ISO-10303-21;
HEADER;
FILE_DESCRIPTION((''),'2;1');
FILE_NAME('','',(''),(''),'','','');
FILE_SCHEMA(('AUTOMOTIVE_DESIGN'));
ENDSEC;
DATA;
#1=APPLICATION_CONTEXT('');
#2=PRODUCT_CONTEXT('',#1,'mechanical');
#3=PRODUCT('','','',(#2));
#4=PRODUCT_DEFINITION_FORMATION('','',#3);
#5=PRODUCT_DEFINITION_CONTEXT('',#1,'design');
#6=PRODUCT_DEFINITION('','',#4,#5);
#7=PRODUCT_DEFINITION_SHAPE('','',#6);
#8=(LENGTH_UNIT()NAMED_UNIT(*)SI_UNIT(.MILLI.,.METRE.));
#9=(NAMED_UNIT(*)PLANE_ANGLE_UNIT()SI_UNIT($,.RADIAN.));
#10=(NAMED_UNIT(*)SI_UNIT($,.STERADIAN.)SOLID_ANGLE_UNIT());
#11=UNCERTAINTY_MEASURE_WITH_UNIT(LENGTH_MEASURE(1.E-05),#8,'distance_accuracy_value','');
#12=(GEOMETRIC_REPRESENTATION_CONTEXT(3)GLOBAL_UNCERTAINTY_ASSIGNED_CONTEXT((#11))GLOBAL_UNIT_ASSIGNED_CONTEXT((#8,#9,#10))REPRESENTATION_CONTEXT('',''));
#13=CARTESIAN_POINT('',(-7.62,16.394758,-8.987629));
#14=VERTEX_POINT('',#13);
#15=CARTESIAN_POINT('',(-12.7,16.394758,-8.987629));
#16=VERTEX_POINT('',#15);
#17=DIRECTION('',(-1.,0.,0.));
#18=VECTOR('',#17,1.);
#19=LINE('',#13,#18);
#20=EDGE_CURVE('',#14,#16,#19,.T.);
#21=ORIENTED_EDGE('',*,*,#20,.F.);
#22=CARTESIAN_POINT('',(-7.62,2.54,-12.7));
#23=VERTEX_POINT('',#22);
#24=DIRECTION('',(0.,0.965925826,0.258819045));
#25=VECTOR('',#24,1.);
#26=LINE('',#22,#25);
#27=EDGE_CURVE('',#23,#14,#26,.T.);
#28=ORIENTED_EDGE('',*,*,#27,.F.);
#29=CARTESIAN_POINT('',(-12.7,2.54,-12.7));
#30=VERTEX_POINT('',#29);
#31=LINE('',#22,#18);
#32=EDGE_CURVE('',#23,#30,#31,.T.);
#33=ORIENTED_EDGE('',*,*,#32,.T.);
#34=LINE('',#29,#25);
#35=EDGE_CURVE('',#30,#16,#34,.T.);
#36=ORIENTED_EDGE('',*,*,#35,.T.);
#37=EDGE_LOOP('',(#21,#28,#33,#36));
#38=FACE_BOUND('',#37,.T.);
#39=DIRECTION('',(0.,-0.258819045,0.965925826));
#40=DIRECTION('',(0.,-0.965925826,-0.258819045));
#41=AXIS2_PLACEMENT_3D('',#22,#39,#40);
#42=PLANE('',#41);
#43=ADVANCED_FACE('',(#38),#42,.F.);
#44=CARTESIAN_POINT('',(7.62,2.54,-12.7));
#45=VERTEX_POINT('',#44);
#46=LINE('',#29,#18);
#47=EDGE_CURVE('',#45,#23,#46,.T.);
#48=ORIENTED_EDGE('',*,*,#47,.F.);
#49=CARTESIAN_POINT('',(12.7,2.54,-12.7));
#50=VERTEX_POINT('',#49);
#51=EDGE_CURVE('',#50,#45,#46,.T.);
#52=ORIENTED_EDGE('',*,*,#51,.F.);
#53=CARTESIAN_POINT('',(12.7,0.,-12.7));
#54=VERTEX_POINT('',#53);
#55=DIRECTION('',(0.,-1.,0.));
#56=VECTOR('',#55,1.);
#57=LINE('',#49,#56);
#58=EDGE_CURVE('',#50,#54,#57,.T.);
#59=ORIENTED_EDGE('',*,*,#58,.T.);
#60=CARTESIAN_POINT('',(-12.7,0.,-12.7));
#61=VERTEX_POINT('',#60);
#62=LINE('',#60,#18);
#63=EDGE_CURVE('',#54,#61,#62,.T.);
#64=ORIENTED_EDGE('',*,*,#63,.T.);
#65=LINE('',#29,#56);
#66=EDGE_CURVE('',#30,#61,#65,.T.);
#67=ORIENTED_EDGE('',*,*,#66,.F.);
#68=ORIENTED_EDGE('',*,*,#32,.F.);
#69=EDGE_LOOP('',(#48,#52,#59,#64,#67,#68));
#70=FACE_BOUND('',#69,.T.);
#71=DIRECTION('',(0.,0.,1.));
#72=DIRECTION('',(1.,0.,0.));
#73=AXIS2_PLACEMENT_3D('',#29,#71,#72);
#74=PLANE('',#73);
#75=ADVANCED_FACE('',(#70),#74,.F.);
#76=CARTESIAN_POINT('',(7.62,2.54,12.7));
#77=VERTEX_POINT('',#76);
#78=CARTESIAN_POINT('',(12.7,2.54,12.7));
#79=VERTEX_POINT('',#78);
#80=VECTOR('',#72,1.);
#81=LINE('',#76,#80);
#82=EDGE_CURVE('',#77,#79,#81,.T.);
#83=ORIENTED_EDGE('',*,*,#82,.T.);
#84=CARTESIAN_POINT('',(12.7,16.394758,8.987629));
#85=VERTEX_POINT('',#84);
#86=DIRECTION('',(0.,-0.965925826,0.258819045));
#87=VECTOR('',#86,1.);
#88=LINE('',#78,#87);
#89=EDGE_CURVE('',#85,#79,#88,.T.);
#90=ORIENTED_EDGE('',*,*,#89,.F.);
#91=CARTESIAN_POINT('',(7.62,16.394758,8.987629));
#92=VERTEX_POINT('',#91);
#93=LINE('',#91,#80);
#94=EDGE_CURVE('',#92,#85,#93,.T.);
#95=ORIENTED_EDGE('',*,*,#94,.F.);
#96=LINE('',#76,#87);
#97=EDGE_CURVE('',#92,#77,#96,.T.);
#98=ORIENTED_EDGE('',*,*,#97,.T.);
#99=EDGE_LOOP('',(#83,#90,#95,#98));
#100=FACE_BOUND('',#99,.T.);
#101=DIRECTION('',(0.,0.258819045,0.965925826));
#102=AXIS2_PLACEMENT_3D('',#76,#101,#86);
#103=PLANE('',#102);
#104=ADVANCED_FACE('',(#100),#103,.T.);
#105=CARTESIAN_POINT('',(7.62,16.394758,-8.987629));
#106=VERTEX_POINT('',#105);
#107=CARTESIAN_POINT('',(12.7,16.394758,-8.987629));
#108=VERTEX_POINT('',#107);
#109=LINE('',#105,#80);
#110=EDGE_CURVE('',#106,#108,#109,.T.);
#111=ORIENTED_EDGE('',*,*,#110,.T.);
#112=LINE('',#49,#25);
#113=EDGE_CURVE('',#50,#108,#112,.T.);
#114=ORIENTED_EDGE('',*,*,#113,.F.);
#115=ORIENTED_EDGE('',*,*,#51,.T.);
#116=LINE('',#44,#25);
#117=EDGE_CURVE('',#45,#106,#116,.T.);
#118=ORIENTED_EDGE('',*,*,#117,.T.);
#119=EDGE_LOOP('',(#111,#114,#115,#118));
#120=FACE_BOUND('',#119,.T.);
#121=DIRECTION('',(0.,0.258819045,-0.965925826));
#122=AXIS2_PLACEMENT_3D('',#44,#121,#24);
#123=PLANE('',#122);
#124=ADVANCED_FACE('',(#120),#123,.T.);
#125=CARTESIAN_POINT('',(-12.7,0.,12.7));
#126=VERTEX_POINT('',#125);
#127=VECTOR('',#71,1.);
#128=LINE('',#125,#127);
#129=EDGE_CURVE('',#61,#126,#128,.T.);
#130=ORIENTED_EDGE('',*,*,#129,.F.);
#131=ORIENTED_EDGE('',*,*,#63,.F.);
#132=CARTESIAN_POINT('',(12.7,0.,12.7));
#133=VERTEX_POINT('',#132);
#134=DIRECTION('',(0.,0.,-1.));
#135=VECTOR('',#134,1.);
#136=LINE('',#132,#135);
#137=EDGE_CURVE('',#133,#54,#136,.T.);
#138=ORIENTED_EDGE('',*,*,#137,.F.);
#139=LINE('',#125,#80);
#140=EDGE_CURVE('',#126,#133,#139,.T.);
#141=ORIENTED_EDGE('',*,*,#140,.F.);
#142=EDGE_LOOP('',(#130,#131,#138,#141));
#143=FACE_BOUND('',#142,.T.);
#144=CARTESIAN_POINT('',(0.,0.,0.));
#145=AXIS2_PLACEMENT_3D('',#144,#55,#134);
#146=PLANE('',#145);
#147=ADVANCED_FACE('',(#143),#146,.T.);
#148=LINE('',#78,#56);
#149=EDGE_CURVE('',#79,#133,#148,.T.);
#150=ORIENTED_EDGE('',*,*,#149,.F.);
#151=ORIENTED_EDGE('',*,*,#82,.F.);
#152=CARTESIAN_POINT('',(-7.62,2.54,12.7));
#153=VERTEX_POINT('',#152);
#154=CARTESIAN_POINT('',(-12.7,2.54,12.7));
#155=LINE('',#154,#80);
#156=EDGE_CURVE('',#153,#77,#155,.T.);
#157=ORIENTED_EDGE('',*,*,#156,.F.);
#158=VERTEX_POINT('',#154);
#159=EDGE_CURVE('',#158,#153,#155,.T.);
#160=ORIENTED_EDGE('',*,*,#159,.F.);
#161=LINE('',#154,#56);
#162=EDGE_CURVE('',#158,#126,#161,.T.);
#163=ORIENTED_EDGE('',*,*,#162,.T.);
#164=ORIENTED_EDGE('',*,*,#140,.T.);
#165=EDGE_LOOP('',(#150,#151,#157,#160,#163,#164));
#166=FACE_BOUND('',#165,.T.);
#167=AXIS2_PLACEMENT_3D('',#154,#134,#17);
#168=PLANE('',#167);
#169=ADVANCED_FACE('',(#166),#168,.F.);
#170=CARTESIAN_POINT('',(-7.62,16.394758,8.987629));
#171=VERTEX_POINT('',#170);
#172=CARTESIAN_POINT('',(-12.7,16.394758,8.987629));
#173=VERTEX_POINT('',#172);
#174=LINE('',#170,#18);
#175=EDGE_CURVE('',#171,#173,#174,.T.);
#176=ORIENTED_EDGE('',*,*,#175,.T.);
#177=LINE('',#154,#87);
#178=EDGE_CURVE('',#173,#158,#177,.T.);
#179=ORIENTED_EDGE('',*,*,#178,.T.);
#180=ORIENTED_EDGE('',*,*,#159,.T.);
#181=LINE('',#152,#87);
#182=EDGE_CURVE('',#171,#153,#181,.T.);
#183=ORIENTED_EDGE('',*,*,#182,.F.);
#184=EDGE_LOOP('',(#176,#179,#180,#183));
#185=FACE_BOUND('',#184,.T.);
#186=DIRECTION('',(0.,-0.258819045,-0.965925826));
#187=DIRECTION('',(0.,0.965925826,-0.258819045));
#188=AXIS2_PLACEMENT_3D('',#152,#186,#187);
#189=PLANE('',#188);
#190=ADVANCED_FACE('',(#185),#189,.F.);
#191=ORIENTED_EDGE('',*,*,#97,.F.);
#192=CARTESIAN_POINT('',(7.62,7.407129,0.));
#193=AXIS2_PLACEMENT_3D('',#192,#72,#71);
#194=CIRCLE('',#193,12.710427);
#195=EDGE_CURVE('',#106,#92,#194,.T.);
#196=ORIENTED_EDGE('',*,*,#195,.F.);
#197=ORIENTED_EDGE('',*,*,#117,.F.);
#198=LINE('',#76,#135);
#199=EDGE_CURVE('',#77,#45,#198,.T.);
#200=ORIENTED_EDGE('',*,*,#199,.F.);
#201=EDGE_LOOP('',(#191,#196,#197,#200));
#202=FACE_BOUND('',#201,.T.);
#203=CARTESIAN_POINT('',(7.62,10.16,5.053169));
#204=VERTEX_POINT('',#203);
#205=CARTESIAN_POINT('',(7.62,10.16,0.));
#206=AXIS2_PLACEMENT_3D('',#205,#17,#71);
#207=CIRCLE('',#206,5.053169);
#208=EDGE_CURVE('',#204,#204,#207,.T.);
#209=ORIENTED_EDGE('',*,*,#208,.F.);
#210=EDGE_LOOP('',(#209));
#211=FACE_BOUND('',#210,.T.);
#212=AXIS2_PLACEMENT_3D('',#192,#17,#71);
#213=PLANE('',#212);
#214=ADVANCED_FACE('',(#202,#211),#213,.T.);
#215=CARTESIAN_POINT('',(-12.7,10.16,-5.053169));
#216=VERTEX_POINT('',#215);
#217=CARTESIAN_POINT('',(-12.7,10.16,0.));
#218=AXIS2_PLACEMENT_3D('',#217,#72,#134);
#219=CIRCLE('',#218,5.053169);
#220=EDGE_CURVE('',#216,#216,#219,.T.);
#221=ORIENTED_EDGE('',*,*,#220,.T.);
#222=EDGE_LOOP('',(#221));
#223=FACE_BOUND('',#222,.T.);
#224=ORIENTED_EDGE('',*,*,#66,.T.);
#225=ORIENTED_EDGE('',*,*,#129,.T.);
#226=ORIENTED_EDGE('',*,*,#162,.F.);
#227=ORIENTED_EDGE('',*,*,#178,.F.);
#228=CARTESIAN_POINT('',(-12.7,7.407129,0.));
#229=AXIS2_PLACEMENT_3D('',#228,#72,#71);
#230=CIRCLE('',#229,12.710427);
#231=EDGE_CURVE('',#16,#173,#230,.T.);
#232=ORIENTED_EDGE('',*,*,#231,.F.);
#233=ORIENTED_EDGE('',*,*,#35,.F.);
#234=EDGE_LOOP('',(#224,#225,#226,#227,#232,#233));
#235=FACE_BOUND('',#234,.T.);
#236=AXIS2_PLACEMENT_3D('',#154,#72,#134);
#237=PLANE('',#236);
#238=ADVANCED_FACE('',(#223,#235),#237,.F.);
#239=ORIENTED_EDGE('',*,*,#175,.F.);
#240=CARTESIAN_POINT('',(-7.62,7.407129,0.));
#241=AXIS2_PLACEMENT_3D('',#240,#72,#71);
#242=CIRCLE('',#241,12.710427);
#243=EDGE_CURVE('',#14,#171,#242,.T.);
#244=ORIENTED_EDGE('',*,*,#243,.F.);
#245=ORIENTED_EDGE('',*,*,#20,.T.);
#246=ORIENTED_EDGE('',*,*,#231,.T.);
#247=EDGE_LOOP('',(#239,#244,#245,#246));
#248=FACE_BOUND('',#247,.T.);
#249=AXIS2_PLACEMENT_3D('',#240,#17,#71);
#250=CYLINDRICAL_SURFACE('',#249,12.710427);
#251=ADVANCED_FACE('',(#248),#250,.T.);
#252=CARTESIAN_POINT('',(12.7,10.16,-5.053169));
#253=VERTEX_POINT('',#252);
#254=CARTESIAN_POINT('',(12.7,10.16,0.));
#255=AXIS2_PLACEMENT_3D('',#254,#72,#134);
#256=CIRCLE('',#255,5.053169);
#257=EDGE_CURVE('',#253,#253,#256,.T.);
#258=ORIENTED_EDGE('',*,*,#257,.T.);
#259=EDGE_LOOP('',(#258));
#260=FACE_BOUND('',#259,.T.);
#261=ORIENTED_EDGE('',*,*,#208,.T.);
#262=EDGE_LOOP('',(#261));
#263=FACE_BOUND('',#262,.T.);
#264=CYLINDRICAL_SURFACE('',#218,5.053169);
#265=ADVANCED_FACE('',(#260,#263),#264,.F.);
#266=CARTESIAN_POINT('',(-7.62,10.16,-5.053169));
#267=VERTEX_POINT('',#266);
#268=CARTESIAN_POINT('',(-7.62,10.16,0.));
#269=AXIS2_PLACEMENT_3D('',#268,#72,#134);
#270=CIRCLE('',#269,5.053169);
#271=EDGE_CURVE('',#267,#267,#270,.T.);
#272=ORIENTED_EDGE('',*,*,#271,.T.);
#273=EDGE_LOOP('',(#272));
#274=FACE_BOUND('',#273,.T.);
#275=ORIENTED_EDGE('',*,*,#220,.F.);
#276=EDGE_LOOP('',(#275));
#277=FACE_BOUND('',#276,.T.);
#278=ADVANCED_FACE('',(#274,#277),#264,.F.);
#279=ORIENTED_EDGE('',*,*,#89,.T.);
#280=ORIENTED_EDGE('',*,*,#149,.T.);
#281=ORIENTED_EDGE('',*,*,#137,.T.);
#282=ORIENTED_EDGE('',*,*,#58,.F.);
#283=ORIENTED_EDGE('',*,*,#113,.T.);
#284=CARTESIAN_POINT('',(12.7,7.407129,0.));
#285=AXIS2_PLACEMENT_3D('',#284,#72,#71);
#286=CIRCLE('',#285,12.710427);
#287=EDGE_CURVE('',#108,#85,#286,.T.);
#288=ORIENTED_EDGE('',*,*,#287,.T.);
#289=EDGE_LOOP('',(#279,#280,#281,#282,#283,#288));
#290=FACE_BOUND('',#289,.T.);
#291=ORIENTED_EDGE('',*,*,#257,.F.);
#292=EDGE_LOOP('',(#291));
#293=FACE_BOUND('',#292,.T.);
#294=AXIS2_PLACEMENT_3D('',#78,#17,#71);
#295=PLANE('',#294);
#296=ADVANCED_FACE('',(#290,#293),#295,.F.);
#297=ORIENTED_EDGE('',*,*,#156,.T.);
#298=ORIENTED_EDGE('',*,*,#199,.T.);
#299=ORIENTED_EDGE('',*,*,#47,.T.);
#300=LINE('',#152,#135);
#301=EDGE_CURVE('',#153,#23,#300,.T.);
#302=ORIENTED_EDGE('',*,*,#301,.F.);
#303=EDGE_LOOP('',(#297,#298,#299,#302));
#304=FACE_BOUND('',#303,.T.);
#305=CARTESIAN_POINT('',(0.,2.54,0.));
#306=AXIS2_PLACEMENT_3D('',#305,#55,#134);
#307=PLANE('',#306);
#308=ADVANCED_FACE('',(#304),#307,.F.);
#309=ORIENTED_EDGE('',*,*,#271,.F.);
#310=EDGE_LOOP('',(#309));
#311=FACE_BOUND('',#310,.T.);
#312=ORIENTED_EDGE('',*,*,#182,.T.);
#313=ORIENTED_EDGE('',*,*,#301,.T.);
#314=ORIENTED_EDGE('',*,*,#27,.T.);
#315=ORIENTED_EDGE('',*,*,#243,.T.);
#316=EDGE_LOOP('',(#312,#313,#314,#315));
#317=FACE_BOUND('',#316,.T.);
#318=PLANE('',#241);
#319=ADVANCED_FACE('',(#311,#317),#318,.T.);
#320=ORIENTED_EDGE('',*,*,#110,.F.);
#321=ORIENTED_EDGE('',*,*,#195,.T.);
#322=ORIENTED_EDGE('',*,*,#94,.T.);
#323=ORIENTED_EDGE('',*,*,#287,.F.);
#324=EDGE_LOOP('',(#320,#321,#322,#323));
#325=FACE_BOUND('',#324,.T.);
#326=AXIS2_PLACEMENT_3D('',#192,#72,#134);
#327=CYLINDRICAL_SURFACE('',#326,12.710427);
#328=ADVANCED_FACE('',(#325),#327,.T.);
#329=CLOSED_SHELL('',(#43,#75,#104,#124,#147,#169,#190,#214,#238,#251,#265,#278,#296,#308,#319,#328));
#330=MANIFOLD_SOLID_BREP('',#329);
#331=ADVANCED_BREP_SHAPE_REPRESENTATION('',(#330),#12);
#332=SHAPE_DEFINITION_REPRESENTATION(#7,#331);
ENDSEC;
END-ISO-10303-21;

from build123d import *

# Parameters (mm, degrees)
SKETCH1_W           = 25.4
SKETCH1_H           = 25.4
BOSS_EXTRUDE1_DEPTH = 2.54
BOSS_EXTRUDE2_DEPTH = 5.08
SKETCH3_R           = 5.053169443
CUT_EXTRUDE1_DEPTH  = 35.801810995


with BuildPart() as part:
    # Sketch1 → Boss-Extrude1 (new body)
    with BuildSketch(Plane(origin=(0, 0, 0), x_dir=(1, 0, 0), z_dir=(0, 1, 0))):
        Rectangle(SKETCH1_W, SKETCH1_H)
    extrude(amount=BOSS_EXTRUDE1_DEPTH)

    # Sketch2 → Boss-Extrude2 (add)
    with BuildSketch(Plane(origin=(12.7, 0, 0), x_dir=(0, 0, -1), z_dir=(1, 0, 0))):
        with BuildLine():
            Line((-12.7, 2.54), (-8.987628784, 16.394757994))
            ThreePointArc((-8.987628784, 16.394757994), (0, 20.11755573), (8.987628784, 16.394757994))
            Line((8.987628784, 16.394757994), (12.7, 2.54))
            Line((12.7, 2.54), (-12.7, 2.54))
        make_face()
    boss_extrude2 = extrude(amount=-BOSS_EXTRUDE2_DEPTH)

    # Mirror1: Boss-Extrude2 across plane
    add(boss_extrude2.mirror(Plane(origin=(0, 0, 0), x_dir=(0, 0, 1), z_dir=(1, 0, 0))))

    # Sketch3 → Cut-Extrude1 (cut, through all)
    with BuildSketch(Plane(origin=(12.7, 0, 0), x_dir=(0, 0, -1), z_dir=(1, 0, 0))):
        with Locations((0, 10.16)):
            Circle(SKETCH3_R)
    extrude(amount=-CUT_EXTRUDE1_DEPTH, mode=Mode.SUBTRACT)


solid = part.part
